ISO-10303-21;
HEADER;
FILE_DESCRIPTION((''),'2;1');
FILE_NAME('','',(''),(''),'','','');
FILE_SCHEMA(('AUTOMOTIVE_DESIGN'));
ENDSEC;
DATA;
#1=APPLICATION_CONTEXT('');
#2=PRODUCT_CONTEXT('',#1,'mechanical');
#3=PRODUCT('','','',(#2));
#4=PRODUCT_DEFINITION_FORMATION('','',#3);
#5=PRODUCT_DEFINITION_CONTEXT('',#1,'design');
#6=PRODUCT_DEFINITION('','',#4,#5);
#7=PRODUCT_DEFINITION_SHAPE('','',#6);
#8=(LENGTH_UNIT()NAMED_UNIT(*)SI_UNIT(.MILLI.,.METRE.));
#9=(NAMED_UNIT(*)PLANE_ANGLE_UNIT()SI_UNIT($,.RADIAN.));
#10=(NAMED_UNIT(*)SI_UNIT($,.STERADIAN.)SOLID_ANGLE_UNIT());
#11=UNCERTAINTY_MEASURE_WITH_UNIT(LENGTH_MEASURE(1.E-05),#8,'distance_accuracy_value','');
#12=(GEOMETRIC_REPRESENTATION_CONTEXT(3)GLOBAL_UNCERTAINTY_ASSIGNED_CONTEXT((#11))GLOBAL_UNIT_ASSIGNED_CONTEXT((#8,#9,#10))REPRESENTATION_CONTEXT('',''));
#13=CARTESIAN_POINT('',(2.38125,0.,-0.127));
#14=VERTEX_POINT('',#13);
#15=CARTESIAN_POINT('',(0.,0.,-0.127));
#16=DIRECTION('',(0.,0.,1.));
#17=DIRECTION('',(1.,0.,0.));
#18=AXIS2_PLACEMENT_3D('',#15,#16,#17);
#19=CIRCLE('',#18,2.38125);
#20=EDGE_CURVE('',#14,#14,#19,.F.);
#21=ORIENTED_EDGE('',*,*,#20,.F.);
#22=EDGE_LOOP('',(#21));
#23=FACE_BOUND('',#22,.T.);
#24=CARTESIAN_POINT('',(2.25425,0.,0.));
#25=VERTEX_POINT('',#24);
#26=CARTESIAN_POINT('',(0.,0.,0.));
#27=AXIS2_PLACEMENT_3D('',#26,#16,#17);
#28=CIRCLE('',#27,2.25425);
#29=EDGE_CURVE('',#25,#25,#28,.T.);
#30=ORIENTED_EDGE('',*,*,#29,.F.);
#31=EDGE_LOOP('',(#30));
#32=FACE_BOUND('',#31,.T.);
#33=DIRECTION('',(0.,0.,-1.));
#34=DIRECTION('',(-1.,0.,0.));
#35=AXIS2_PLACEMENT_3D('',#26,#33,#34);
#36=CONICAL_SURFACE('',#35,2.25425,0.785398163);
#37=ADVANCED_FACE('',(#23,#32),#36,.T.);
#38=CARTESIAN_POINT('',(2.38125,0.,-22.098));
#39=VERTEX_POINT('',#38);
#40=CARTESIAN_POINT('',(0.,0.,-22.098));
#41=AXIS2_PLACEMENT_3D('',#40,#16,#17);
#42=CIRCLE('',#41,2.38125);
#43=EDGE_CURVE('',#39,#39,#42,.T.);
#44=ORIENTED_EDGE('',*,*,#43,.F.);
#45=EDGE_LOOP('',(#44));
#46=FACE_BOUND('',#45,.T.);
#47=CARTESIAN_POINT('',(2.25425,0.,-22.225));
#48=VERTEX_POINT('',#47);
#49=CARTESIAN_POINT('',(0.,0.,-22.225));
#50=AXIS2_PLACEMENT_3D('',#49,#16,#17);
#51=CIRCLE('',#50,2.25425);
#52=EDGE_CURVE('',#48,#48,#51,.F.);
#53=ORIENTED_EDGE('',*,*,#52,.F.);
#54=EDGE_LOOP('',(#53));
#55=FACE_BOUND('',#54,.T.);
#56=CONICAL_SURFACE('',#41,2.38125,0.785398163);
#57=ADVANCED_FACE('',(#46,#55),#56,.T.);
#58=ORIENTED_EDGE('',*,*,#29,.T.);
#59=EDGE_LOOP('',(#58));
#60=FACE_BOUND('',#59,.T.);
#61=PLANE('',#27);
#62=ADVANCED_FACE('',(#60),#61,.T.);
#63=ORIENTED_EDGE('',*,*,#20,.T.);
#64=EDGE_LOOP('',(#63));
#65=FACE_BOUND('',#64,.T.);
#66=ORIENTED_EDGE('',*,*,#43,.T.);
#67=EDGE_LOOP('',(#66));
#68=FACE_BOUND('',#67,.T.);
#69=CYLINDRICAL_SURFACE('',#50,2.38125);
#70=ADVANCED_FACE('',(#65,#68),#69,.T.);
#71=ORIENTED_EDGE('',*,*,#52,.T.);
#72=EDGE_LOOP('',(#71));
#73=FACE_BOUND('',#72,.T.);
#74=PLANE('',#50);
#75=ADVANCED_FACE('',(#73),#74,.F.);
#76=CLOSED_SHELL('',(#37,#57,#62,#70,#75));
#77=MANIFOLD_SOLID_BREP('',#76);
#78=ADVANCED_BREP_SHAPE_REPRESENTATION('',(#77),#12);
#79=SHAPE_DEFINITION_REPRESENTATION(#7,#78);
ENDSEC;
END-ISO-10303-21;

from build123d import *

# Parameters (mm, degrees)
SKETCH1_R      = 2.38125
EXTRUDE1_DEPTH = 22.225
CHAMFER1_SIZE  = 0.127


with BuildPart() as part:
    # Sketch1 → Extrude1 (new body)
    with BuildSketch(Plane.XY):
        Circle(SKETCH1_R)
    extrude(amount=-EXTRUDE1_DEPTH)

    # Chamfer1
    chamfer1_edges = [part.edges().sort_by_distance(p)[0] for p in [
        (-2.38125, 0, 0),
        (-2.38125, 0, -22.225),
    ]]
    chamfer(chamfer1_edges, length=CHAMFER1_SIZE)


solid = part.part
